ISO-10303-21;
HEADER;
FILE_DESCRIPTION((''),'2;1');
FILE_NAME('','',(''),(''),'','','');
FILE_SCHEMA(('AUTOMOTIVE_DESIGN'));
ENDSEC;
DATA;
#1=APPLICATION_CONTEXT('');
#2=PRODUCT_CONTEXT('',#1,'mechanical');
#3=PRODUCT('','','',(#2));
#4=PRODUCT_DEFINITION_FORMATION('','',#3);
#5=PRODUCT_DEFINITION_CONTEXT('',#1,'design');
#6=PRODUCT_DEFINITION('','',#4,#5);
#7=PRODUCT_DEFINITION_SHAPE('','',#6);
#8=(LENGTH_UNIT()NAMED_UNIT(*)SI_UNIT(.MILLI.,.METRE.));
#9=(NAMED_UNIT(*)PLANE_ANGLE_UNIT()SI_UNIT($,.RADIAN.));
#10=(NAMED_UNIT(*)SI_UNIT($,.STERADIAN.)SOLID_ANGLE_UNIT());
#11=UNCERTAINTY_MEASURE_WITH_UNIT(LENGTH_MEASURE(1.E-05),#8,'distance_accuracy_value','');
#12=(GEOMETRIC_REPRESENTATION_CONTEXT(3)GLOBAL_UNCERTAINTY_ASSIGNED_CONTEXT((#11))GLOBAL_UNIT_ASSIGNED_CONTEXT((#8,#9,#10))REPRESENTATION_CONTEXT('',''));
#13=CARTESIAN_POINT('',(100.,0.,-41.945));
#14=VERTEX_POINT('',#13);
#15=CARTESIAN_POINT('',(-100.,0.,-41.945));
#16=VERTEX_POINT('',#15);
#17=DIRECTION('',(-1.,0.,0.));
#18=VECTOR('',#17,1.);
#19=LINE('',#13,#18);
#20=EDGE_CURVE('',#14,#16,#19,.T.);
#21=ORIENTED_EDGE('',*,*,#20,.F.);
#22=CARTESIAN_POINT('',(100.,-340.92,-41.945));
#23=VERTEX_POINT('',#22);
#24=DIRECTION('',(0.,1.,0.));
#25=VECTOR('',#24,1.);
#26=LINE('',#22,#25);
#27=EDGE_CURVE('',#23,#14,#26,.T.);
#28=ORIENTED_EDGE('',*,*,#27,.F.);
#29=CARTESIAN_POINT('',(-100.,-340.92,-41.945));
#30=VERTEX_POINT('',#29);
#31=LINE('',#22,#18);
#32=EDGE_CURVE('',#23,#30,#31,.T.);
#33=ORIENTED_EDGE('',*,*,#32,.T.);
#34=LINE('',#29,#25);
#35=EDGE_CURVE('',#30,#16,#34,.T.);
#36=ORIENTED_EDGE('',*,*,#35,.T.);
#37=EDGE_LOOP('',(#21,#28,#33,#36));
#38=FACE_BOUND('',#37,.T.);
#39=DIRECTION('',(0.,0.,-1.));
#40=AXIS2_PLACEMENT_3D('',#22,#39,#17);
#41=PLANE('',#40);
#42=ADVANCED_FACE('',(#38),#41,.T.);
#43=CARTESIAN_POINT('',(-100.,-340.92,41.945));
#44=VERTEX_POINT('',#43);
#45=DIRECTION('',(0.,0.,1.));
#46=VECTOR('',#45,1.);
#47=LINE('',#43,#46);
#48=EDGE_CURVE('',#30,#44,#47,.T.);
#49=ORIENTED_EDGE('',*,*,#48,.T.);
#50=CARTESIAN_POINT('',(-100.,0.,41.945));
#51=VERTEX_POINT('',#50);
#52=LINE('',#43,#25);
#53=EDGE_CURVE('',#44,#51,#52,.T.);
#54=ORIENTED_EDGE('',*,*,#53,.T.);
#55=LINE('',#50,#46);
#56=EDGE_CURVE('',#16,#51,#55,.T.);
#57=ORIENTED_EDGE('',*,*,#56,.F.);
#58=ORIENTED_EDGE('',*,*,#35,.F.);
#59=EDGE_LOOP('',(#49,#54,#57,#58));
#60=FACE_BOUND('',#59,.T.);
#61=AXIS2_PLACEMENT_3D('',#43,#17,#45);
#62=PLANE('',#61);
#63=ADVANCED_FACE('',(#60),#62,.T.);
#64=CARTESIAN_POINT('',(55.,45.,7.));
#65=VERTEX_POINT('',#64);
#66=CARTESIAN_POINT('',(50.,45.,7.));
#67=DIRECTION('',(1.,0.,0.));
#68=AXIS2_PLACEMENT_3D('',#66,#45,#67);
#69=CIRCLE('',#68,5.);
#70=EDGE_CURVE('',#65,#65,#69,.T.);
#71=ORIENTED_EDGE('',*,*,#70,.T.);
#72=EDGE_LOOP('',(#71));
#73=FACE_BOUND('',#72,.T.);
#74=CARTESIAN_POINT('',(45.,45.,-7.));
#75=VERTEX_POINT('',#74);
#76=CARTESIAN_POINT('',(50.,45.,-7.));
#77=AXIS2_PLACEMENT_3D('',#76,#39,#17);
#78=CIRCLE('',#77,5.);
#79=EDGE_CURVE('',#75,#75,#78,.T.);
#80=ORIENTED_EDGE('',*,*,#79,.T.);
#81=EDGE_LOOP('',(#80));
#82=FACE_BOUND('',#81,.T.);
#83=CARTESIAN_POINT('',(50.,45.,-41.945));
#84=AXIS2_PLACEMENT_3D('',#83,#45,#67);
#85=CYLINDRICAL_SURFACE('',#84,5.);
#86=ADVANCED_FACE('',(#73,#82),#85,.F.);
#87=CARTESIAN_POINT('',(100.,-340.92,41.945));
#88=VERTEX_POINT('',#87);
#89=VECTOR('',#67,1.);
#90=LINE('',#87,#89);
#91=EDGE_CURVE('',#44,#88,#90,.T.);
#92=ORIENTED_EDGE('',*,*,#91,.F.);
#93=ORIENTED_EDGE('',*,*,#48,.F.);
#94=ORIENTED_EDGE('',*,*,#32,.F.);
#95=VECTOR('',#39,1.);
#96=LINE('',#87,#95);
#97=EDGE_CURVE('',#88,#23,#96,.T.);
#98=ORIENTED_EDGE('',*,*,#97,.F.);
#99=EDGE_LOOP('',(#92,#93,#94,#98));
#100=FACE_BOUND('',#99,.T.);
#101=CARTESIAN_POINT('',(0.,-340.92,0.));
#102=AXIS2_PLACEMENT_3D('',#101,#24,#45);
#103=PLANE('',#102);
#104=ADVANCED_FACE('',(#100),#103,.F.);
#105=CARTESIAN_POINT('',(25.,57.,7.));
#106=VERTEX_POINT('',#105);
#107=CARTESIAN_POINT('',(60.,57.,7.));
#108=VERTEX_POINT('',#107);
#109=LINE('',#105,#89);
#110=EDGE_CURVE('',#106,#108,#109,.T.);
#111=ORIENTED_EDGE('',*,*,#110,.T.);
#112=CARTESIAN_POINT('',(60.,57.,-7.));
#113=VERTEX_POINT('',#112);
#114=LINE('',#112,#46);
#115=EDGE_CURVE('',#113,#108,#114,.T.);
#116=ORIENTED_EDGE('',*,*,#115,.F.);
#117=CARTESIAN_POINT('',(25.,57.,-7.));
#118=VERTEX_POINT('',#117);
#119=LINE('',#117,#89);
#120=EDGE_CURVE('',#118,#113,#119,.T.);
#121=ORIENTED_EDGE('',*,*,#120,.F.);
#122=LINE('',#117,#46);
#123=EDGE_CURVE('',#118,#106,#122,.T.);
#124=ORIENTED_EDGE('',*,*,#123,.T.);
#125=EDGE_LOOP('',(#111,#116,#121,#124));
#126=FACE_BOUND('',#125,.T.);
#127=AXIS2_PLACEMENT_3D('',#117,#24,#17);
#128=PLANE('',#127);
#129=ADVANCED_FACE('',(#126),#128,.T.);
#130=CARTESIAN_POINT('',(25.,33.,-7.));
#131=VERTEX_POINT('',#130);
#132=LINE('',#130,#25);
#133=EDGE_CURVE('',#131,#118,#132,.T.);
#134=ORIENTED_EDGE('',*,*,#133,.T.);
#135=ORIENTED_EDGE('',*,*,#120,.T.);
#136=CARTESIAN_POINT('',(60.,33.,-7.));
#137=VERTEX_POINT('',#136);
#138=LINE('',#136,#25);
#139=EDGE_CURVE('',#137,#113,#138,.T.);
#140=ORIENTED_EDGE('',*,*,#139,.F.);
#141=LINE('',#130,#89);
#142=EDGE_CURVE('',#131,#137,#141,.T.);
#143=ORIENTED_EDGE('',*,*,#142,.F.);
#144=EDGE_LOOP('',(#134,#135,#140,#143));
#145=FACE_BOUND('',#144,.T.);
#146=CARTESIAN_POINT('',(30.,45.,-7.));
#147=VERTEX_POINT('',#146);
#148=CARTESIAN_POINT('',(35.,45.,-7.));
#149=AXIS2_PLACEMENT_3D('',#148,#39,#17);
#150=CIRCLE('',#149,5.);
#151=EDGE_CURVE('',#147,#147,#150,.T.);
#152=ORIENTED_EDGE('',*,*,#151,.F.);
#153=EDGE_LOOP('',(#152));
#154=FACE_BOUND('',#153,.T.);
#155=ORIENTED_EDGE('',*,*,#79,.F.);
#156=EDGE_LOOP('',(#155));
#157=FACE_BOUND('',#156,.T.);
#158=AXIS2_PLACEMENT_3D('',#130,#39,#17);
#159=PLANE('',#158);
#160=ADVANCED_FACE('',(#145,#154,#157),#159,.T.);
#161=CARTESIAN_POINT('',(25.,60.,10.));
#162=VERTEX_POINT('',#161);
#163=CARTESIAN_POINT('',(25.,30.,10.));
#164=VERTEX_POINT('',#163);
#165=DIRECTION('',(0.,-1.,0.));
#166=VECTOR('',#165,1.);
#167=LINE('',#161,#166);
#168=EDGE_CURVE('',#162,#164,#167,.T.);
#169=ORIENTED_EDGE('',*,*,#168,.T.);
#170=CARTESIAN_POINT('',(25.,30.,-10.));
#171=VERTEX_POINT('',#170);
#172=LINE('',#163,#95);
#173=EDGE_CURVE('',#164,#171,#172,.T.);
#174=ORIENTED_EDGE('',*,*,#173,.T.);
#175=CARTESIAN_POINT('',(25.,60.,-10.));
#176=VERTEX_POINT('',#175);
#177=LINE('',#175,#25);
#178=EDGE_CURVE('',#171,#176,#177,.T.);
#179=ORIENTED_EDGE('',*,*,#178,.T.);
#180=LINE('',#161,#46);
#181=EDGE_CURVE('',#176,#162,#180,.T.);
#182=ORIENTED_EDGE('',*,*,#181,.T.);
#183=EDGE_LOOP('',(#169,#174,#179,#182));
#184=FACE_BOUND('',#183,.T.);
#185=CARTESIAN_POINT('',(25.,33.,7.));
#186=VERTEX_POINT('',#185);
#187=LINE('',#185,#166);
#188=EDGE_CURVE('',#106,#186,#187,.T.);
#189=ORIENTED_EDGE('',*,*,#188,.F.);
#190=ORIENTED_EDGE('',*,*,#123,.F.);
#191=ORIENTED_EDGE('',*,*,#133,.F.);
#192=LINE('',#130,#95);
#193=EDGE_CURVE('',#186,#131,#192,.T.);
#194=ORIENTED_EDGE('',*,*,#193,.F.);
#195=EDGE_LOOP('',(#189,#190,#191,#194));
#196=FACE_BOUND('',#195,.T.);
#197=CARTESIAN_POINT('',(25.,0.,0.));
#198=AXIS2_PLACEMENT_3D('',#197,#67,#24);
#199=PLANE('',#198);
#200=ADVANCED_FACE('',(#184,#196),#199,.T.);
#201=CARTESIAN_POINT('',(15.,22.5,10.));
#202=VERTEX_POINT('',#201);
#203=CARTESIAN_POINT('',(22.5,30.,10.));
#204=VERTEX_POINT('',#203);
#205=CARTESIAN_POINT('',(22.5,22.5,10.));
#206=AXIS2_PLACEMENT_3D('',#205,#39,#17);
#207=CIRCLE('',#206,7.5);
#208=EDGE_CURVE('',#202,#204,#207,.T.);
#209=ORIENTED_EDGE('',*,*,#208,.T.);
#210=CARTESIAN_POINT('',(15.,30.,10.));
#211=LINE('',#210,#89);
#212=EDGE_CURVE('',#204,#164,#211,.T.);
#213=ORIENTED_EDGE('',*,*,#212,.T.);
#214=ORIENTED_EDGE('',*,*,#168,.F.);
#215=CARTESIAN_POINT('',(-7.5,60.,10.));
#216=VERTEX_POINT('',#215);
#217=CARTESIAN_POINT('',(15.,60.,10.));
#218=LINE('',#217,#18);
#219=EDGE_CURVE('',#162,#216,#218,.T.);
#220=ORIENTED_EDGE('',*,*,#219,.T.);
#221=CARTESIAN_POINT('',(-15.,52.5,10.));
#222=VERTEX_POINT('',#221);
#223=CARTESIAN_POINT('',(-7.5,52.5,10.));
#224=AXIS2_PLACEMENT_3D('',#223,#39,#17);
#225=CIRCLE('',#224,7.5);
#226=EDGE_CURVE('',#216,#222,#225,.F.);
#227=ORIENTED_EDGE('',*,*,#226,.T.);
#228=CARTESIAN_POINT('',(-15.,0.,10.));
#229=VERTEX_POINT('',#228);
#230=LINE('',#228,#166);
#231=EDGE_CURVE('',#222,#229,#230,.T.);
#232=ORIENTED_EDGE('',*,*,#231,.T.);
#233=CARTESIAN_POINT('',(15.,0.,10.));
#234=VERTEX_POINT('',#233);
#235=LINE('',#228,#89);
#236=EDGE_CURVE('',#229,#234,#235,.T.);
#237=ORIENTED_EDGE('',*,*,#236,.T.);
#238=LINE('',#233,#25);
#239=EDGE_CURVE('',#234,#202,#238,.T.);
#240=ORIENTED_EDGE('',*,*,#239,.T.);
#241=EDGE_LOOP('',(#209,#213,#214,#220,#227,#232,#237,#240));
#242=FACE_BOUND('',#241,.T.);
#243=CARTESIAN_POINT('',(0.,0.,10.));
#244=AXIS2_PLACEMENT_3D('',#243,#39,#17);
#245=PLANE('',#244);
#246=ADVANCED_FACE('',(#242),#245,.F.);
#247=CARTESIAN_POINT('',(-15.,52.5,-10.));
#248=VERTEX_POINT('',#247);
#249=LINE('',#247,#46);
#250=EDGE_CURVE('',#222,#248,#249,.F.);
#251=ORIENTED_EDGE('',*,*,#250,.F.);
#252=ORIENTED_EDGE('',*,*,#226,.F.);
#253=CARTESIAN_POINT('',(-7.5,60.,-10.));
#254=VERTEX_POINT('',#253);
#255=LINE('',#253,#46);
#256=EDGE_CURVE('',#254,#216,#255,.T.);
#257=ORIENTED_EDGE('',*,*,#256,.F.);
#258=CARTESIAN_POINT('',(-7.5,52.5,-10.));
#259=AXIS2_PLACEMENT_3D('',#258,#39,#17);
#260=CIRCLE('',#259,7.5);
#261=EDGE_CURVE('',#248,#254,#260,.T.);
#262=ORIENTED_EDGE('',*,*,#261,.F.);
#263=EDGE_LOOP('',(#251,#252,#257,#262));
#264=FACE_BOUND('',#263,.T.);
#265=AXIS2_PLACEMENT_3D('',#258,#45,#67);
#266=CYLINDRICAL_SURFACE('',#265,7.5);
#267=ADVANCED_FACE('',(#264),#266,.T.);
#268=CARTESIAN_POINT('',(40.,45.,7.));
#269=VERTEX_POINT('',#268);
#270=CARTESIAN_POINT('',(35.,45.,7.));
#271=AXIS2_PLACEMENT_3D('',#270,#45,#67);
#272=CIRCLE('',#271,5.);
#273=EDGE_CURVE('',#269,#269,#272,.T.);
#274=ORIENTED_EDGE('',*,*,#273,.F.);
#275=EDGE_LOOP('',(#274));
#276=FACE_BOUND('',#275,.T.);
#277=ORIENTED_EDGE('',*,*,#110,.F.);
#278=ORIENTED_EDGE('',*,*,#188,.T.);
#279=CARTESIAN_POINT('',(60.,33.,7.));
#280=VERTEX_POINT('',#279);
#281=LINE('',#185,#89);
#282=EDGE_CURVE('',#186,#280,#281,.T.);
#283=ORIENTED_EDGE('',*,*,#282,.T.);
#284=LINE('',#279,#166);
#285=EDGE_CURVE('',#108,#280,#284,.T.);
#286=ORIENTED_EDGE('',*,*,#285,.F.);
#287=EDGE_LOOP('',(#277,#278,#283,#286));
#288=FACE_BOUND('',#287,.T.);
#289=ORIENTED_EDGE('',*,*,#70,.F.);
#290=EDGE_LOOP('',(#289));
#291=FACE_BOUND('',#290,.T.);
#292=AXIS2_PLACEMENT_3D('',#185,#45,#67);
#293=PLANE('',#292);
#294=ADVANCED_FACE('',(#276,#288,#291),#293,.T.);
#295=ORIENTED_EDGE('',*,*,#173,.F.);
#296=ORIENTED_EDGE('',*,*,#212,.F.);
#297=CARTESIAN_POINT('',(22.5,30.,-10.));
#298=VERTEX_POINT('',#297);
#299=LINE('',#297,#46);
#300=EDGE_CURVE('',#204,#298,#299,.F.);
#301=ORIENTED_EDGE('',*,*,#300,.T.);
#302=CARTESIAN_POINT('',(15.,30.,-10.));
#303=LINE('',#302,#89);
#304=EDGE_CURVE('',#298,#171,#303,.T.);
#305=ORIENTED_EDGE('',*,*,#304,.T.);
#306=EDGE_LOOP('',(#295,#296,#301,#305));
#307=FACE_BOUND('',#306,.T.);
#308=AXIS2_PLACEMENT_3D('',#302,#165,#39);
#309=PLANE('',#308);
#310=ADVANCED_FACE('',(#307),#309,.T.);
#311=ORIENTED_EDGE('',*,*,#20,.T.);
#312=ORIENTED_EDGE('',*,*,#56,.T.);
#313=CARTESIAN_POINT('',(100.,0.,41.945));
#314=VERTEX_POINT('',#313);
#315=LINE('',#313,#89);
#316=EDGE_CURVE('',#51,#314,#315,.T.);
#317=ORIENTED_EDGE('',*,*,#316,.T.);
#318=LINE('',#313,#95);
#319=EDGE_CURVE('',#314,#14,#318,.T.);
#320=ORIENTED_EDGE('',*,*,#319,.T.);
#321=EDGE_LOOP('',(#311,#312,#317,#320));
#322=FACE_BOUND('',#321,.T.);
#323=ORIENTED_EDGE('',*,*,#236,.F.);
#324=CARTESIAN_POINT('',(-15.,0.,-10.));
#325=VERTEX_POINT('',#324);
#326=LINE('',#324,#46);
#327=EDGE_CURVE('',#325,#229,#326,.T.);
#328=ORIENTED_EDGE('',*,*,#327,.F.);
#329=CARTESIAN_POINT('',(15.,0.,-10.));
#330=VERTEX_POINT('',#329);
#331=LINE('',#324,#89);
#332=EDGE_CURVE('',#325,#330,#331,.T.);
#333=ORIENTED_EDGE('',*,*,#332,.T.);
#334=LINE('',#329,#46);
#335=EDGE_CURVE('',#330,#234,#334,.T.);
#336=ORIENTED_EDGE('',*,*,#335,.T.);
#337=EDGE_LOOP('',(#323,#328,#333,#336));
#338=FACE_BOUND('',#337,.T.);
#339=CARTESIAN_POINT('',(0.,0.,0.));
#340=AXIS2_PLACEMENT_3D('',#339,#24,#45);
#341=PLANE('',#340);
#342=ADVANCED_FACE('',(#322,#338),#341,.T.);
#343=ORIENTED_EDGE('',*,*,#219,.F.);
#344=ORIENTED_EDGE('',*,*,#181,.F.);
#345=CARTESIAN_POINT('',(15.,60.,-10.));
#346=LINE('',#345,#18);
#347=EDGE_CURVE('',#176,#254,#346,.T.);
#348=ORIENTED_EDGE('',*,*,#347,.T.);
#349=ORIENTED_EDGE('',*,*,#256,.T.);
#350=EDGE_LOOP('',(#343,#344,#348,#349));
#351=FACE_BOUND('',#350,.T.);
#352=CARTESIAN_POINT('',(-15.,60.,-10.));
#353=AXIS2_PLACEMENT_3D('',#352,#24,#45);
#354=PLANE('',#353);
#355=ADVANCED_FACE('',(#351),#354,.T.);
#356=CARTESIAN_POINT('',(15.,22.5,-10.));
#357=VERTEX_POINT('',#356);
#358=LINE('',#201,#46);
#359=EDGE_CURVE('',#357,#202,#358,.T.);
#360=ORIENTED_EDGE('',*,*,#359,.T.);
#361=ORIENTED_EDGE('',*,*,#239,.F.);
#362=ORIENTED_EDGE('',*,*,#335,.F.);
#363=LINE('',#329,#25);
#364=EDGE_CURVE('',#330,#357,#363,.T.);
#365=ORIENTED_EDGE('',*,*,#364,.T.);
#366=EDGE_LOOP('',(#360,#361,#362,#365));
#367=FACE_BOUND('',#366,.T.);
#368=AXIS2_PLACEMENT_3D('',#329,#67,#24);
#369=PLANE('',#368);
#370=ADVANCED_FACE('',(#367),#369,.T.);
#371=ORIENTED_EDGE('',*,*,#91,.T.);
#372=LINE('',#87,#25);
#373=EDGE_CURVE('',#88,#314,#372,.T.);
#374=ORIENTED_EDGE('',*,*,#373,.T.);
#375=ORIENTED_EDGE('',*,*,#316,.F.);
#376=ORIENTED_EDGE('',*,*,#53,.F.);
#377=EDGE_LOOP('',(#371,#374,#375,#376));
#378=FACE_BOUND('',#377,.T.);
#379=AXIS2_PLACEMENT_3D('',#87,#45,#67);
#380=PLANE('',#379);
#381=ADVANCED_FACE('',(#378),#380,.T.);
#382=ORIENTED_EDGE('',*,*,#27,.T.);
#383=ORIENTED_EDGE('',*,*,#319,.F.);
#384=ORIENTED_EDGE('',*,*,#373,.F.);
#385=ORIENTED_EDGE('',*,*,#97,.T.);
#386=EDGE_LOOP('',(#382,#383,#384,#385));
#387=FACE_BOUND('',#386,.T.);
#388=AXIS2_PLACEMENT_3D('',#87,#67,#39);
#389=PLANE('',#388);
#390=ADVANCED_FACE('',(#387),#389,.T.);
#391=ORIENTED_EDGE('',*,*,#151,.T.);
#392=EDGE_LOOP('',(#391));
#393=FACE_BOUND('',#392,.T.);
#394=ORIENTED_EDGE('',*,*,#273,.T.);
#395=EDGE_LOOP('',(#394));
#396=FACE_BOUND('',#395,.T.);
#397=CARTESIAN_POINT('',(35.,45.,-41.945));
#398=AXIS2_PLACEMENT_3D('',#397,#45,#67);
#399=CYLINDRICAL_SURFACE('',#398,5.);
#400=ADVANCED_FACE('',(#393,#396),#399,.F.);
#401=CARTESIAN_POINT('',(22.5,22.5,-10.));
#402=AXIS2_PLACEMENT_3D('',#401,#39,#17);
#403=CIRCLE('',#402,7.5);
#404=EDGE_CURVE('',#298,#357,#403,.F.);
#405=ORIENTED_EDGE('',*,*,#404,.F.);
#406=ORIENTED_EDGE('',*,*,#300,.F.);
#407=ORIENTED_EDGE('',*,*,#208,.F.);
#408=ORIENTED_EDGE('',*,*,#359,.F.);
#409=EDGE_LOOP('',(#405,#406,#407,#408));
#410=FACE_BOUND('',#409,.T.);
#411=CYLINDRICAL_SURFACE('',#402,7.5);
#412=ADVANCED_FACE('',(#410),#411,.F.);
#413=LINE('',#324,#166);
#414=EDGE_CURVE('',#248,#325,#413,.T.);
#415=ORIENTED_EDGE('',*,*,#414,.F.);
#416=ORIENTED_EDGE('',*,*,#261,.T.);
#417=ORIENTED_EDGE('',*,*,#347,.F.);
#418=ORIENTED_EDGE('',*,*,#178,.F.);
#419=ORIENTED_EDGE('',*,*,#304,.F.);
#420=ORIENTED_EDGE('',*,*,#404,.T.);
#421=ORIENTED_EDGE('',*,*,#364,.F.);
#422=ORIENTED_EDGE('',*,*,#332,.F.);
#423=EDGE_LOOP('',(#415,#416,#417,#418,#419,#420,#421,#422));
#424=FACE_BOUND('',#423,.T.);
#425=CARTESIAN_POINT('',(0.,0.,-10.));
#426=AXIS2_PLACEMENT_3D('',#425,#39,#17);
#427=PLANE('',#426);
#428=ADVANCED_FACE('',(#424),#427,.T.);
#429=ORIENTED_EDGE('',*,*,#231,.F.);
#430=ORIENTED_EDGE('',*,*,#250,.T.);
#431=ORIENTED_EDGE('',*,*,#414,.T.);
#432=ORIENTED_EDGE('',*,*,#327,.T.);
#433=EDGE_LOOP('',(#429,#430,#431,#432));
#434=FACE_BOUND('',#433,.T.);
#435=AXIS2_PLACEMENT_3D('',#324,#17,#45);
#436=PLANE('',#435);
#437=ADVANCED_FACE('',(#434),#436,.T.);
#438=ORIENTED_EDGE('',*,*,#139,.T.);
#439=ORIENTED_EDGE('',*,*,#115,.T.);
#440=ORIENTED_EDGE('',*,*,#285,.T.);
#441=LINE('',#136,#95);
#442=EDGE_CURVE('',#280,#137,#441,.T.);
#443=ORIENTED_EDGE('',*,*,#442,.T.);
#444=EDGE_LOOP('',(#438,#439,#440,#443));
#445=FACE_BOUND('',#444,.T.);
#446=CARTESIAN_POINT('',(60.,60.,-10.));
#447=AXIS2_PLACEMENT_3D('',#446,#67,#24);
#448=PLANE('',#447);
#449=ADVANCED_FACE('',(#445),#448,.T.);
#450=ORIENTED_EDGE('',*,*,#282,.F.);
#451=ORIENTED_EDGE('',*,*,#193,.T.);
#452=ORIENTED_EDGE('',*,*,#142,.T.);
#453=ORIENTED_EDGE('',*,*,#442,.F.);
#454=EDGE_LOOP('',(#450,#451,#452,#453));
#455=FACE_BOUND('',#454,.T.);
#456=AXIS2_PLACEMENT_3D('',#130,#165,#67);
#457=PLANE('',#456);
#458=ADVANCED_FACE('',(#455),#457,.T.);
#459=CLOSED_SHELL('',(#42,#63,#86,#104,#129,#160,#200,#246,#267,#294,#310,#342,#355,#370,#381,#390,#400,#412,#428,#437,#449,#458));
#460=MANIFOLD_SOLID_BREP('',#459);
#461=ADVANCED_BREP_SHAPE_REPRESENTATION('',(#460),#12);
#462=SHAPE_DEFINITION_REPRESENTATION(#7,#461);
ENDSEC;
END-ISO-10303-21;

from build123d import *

# Parameters (mm, degrees)
SKETCH1_W                  = 200
SKETCH1_H                  = 83.89
WHEEL_STEERING_DUMMY_DEPTH = 340.92
MOUNT_BODY_DEPTH           = 10
MOUNT_BODY_DEPTH_BACK      = 10
SKETCH3_W                  = 20
SKETCH3_H                  = 30
SKETCH3_W_2                = 14
SKETCH3_H_2                = 24
MOUNT_TONGUE_DEPTH         = 35
SKETCH4_R                  = 5
MOUNT_BOLT_HOLES_DEPTH     = 359.639177203
FILLET1_R                  = 7.5


with BuildPart() as part:
    # Sketch1 → Wheel & Steering Dummy (new body)
    with BuildSketch(Plane(origin=(0, 0, 0), x_dir=(1, 0, 0), z_dir=(0, 1, 0))):
        Rectangle(SKETCH1_W, SKETCH1_H)
    extrude(amount=-WHEEL_STEERING_DUMMY_DEPTH)

    # Sketch2 → Mount Body (add, two sides: drawn at the far end of the back side and taken through both)
    with BuildSketch(Plane.XY.offset(-MOUNT_BODY_DEPTH_BACK)):
        Polygon((-15, 0), (15, 0), (15, 30), (60, 30), (60, 60), (15, 60), (-15, 60), align=None)
    extrude(amount=MOUNT_BODY_DEPTH + MOUNT_BODY_DEPTH_BACK)

    # Sketch3 → Mount Tongue (cut)
    with BuildSketch(Plane(origin=(60, 0, 0), x_dir=(0, 0, -1), z_dir=(1, 0, 0))):
        with Locations((0, 45)):
            Rectangle(SKETCH3_W, SKETCH3_H)
        with Locations((0, 45)):
            Rectangle(SKETCH3_W_2, SKETCH3_H_2, mode=Mode.SUBTRACT)
    extrude(amount=-MOUNT_TONGUE_DEPTH, mode=Mode.SUBTRACT)

    # Sketch4 → Mount Bolt Holes (cut, through all)
    with BuildSketch(Plane.XY.offset(7)):
        with Locations((35, 45)):
            Circle(SKETCH4_R)
        with Locations((50, 45)):
            Circle(SKETCH4_R)
    extrude(amount=-MOUNT_BOLT_HOLES_DEPTH, mode=Mode.SUBTRACT)

    # Fillet1
    fillet1_edges = [part.edges().sort_by_distance(p)[0] for p in [
        (-15, 60, 0),
        (15, 30, 0),
    ]]
    fillet(fillet1_edges, radius=FILLET1_R)


solid = part.part
